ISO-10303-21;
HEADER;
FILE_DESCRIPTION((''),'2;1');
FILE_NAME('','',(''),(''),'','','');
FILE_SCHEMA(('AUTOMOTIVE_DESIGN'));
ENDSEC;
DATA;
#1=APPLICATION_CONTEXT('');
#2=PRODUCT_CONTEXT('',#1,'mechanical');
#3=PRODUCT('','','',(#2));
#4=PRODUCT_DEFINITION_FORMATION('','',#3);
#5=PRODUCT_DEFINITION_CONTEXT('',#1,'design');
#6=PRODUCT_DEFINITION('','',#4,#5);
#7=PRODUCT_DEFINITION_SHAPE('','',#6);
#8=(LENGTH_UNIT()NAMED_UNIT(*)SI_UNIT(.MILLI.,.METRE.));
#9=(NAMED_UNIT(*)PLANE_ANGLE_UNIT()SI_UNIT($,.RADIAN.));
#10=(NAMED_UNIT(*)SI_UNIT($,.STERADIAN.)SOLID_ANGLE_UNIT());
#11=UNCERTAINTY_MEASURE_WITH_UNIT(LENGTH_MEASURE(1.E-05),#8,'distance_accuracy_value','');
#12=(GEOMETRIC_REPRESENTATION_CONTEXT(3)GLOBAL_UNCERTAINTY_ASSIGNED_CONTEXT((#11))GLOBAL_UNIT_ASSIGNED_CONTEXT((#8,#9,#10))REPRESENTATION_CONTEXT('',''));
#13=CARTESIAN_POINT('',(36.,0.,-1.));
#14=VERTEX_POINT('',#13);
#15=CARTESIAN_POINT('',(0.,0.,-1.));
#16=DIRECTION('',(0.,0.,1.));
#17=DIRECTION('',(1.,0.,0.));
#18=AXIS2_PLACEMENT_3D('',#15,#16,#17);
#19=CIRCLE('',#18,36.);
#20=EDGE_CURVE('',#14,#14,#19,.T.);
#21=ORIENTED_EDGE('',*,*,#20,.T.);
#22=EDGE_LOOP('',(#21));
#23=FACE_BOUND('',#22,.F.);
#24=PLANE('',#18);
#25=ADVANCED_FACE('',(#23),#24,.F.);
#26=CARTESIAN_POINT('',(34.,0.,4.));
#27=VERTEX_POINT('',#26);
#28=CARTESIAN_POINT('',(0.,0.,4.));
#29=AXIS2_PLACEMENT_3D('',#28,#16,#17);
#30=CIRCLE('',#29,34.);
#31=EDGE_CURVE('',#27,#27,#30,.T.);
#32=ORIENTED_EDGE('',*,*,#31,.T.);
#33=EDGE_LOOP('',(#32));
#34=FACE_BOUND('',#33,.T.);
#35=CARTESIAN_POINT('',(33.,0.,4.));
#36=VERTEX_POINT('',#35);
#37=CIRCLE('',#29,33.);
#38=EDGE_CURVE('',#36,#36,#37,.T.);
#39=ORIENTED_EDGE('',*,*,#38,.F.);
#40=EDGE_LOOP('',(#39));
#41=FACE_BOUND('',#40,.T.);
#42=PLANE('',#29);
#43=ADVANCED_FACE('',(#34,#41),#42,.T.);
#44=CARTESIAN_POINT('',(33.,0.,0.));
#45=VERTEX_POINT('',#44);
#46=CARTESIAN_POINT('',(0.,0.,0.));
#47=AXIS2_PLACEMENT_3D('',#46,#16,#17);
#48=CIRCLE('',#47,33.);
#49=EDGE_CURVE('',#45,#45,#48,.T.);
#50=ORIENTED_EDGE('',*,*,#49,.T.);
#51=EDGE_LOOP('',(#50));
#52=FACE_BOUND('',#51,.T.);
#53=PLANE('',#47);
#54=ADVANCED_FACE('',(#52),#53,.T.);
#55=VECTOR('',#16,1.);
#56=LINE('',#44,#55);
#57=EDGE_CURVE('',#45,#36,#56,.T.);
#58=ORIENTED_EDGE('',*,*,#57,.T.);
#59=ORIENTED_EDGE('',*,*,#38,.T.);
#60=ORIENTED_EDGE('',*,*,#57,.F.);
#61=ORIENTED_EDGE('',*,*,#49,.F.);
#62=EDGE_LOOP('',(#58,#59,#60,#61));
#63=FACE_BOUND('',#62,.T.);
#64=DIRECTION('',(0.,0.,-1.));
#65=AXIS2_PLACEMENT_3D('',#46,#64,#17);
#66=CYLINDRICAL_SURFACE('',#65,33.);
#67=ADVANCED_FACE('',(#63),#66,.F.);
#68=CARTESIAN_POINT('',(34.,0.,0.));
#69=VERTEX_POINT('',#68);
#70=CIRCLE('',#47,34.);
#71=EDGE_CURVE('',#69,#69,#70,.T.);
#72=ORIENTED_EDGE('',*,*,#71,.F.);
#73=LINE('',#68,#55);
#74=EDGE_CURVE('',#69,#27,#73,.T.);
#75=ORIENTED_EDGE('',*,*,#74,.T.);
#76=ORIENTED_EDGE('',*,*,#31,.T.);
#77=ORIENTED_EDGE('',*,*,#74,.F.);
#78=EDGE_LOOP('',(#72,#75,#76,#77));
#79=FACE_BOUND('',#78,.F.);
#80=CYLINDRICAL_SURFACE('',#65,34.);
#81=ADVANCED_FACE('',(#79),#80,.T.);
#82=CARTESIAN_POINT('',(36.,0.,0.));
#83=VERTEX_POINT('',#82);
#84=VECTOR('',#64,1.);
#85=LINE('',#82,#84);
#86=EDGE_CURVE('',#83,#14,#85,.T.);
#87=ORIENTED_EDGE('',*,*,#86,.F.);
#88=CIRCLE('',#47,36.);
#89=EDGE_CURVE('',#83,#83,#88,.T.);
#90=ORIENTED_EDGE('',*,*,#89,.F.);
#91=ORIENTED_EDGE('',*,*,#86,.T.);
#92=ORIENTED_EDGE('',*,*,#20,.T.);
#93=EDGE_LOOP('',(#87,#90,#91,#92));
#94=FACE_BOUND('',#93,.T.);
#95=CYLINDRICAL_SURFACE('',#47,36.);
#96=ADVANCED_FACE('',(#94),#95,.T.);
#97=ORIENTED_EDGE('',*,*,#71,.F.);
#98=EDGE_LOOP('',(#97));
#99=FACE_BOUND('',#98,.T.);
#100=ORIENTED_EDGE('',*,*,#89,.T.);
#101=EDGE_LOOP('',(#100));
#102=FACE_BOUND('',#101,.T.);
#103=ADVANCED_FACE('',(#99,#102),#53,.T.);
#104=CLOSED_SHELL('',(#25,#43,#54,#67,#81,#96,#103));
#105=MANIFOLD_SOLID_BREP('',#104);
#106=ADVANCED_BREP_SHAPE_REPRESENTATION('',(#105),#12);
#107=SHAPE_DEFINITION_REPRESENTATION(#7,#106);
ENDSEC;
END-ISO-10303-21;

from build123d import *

# Parameters (mm, degrees)
SKETCH_R     = 34
SKETCH_R_2   = 33
PAD_DEPTH    = 4
SKETCH001_R  = 36
PAD001_DEPTH = 1


with BuildPart() as part:
    # Sketch → Pad (new body)
    with BuildSketch(Plane.XY):
        Circle(SKETCH_R)
        Circle(SKETCH_R_2, mode=Mode.SUBTRACT)
    extrude(amount=PAD_DEPTH)

    # Sketch001 → Pad001 (join)
    with BuildSketch(Plane.XY):
        Circle(SKETCH001_R)
    extrude(amount=-PAD001_DEPTH)


solid = part.part
